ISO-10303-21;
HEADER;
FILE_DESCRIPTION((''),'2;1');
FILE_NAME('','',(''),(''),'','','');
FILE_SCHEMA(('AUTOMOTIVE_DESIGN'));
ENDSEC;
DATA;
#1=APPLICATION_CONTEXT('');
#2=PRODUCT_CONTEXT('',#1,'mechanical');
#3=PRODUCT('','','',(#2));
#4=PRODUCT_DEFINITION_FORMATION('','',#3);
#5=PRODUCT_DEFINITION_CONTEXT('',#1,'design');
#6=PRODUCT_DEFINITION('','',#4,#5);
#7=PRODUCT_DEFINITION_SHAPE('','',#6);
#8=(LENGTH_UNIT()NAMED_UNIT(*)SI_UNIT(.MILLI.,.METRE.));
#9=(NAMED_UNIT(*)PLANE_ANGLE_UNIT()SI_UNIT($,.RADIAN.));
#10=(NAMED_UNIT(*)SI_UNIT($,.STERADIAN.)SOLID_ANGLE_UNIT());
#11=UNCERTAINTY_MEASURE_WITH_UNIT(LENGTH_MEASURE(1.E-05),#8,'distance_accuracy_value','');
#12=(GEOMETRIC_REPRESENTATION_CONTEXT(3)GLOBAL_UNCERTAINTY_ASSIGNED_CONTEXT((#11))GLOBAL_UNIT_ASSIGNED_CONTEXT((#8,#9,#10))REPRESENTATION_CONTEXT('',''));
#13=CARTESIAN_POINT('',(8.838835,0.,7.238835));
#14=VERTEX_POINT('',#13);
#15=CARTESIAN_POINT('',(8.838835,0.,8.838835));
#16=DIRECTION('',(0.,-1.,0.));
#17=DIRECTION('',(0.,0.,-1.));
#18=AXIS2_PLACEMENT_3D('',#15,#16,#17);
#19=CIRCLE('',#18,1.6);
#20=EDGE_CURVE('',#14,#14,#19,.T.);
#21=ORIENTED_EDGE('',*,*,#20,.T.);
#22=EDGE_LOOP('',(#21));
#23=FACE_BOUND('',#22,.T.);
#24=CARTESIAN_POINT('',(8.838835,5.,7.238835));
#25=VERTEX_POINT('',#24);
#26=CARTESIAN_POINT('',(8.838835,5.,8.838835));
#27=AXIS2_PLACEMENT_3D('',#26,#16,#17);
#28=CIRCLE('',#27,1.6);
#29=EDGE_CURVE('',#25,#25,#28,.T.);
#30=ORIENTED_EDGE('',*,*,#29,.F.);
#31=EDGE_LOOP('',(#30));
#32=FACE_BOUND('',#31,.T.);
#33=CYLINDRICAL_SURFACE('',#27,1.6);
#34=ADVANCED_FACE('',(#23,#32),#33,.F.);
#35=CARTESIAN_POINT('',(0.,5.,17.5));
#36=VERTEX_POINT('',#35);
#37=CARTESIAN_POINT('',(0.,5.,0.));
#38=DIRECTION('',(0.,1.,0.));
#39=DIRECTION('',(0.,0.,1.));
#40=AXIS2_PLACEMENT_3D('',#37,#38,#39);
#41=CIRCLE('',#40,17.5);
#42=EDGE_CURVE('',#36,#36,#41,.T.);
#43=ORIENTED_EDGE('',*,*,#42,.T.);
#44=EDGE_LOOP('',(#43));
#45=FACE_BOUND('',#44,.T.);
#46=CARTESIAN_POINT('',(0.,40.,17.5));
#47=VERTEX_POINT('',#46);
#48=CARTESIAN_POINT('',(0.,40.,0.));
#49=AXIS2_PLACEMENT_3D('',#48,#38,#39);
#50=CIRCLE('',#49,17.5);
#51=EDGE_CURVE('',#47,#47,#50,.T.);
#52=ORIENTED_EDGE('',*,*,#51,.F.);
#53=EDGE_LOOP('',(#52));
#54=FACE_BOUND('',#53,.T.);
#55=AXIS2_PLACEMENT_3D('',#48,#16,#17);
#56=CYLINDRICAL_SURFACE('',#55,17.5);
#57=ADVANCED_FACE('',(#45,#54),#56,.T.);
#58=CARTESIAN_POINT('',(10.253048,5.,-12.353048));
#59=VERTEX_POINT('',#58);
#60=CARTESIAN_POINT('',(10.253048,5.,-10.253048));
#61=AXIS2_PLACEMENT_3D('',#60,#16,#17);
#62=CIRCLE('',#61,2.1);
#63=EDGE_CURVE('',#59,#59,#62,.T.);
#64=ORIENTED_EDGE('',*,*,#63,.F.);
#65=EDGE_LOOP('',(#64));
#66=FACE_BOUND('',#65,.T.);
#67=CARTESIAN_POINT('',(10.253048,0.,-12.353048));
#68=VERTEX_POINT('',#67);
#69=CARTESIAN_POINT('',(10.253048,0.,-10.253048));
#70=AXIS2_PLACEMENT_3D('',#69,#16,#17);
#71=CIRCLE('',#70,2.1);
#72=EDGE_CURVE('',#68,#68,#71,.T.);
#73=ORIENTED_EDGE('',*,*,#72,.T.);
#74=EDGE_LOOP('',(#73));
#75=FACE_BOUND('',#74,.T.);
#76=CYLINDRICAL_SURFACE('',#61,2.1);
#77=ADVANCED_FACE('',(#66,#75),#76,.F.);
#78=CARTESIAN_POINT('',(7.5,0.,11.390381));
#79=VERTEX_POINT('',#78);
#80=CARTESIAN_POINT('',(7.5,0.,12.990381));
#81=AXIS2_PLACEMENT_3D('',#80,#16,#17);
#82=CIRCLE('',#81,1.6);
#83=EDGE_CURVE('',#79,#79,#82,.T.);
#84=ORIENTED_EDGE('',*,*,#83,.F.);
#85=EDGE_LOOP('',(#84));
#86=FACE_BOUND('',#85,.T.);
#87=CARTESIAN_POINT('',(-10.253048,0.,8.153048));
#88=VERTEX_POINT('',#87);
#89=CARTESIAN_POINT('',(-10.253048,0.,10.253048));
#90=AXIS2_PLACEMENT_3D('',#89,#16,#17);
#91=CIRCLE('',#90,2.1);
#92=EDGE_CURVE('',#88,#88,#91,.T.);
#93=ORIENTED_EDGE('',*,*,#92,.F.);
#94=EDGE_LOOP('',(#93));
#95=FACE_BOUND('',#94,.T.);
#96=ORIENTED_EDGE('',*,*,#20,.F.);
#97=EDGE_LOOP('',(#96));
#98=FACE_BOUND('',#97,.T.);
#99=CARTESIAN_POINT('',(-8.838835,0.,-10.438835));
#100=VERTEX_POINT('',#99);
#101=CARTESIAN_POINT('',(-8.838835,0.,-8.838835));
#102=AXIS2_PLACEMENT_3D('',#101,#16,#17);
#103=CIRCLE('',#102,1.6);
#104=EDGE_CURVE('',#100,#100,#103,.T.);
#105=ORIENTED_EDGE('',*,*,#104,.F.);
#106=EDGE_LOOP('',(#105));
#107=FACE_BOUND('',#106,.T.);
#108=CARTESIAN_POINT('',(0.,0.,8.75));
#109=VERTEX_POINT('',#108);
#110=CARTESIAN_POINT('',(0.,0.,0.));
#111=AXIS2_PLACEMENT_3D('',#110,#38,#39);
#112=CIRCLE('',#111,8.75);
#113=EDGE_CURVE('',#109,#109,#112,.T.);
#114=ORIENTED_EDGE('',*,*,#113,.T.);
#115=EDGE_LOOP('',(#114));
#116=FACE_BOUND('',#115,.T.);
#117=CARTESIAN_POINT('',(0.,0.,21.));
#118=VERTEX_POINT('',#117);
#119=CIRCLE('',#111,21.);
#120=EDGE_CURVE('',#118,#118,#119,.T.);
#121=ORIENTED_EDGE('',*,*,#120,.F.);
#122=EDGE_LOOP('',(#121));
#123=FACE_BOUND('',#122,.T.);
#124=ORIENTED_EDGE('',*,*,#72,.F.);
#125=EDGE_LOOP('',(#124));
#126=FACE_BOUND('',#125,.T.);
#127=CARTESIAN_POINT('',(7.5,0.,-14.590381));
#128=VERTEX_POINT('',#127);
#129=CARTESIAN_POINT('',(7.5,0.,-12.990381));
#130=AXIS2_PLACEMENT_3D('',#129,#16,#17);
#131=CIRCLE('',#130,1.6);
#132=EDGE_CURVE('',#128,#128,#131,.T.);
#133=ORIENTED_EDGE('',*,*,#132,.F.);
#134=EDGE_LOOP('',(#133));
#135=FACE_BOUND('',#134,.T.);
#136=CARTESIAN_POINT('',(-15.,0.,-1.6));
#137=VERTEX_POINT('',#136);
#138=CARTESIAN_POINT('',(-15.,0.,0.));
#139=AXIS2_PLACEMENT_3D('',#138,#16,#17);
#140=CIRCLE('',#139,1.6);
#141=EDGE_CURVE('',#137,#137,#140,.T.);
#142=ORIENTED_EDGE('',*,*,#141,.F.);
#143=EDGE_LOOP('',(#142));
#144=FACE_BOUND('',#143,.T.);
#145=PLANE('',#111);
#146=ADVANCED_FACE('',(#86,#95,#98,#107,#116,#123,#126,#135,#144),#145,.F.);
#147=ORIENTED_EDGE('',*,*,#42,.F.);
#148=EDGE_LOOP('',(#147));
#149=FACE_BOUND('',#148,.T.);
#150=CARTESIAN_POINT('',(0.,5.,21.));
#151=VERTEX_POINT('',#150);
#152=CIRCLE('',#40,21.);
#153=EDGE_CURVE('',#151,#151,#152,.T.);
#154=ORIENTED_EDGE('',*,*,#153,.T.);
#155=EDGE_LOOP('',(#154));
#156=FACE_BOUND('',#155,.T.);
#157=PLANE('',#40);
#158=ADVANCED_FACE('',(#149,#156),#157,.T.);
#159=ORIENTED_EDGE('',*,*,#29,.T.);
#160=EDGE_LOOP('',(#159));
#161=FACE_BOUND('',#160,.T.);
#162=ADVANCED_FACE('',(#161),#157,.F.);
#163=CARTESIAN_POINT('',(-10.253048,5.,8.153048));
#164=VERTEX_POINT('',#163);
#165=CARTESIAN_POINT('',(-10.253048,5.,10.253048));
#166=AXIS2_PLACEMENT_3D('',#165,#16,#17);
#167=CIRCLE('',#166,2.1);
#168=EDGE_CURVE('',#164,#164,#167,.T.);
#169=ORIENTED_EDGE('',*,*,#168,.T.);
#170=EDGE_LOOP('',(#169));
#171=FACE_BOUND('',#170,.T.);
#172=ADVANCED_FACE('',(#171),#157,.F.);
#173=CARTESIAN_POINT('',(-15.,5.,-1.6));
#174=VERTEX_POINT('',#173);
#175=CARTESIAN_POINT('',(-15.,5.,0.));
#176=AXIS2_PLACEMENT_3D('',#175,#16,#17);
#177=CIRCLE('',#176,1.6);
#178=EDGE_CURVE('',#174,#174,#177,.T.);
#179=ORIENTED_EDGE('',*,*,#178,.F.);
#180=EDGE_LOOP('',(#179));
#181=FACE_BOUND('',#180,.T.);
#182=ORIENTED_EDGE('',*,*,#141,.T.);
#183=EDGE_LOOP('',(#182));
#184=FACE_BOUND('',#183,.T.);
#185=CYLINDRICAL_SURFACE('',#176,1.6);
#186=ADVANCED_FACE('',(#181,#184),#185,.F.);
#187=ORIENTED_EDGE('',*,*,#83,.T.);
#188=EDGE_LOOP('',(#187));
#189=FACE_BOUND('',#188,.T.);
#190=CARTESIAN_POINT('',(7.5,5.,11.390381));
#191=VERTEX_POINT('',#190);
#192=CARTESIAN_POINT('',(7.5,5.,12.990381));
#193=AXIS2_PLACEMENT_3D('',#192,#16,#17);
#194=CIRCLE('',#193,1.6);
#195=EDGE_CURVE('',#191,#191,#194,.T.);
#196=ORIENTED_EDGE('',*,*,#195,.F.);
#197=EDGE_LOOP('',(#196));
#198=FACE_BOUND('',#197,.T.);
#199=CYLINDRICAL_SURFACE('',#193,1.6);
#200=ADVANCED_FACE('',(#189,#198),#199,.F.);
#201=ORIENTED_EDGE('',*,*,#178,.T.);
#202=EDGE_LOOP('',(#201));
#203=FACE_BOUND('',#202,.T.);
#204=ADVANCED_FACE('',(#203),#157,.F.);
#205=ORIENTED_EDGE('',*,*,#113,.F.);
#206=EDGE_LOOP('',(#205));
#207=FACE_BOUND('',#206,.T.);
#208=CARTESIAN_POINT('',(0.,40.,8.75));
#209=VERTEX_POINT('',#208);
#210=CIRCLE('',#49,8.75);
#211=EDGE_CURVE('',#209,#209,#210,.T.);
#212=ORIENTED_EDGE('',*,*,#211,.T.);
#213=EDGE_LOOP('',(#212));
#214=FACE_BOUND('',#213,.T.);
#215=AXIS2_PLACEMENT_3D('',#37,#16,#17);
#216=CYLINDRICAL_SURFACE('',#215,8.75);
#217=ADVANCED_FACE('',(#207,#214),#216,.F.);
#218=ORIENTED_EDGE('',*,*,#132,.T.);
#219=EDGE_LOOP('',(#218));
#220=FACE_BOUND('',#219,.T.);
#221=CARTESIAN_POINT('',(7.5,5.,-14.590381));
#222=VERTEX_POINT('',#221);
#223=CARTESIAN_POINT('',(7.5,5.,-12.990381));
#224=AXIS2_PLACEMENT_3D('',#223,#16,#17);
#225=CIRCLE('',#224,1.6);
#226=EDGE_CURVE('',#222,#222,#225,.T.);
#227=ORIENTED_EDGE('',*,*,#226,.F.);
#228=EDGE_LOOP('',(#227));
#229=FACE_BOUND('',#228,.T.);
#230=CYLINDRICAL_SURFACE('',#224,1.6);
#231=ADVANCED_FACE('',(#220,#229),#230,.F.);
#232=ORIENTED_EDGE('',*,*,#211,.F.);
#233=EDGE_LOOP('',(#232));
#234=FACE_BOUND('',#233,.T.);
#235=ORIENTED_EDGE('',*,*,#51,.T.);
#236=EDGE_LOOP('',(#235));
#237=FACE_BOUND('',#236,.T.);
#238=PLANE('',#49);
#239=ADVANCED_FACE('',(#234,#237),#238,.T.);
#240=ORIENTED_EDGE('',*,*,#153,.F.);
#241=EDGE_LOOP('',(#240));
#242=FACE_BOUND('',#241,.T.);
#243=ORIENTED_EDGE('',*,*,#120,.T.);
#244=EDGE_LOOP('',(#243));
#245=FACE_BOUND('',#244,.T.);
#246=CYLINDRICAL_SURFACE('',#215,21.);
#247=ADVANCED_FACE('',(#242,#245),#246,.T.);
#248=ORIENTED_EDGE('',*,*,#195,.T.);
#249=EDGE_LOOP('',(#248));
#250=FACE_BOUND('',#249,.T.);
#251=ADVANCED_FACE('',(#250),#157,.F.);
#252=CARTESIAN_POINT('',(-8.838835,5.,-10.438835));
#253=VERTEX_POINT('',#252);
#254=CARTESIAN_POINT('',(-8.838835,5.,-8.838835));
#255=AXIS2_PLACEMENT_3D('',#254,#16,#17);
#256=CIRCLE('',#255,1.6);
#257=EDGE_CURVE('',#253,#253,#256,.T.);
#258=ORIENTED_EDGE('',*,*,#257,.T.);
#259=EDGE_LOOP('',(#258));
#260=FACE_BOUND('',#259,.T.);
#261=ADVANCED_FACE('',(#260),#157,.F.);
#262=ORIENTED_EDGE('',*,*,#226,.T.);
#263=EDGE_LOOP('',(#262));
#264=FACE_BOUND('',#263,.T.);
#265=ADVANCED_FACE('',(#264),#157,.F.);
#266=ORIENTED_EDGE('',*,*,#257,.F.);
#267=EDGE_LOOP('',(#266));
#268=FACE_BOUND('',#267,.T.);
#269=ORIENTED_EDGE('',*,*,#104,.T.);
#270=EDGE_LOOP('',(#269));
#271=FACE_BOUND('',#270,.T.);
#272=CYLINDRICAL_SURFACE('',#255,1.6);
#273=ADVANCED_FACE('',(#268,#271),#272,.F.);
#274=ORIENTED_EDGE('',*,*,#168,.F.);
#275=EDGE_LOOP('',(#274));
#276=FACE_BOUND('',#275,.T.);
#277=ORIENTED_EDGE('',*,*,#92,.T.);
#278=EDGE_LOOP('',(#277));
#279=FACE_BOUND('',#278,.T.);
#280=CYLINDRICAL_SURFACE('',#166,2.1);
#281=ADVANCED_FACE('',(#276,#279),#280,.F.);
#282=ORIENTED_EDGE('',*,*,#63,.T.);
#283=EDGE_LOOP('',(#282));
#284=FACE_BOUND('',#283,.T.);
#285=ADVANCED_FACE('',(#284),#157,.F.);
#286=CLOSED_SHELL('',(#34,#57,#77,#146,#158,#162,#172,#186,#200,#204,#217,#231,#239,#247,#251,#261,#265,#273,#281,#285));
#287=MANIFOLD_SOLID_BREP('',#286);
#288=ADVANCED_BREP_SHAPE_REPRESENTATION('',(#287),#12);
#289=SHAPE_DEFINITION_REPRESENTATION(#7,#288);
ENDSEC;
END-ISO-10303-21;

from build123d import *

# Parameters (mm, degrees)
SKETCH1_R           = 21
SKETCH1_R_2         = 8.75
BOSS_EXTRUDE1_DEPTH = 5
SKETCH2_R           = 2.1
SKETCH2_R_2         = 1.6
CUT_EXTRUDE1_DEPTH  = 5
SKETCH3_R           = 17.5
SKETCH3_R_2         = 8.75
BOSS_EXTRUDE2_DEPTH = 35


with BuildPart() as part:
    # Sketch1 → Boss-Extrude1 (new body)
    with BuildSketch(Plane(origin=(0, 0, 0), x_dir=(1, 0, 0), z_dir=(0, 1, 0))):
        Circle(SKETCH1_R)
        Circle(SKETCH1_R_2, mode=Mode.SUBTRACT)
    extrude(amount=BOSS_EXTRUDE1_DEPTH)

    # Sketch2 → Cut-Extrude1 (cut)
    with BuildSketch(Plane.XZ):
        with Locations((-10.253048327, 10.253048327)):
            Circle(SKETCH2_R)
        with Locations((10.253048327, -10.253048327)):
            Circle(SKETCH2_R)
        with Locations((-15, 0)):
            Circle(SKETCH2_R_2)
        with Locations((7.5, 12.990381057)):
            Circle(SKETCH2_R_2)
        with Locations((7.5, -12.990381057)):
            Circle(SKETCH2_R_2)
        with Locations((8.838834765, 8.838834765)):
            Circle(SKETCH2_R_2)
        with Locations((-8.838834765, -8.838834765)):
            Circle(SKETCH2_R_2)
    extrude(amount=-CUT_EXTRUDE1_DEPTH, mode=Mode.SUBTRACT)

    # Sketch3 → Boss-Extrude2 (add)
    with BuildSketch(Plane(origin=(0, 5, 0), x_dir=(1, 0, 0), z_dir=(0, 1, 0))):
        Circle(SKETCH3_R)
        Circle(SKETCH3_R_2, mode=Mode.SUBTRACT)
    extrude(amount=BOSS_EXTRUDE2_DEPTH)


solid = part.part
